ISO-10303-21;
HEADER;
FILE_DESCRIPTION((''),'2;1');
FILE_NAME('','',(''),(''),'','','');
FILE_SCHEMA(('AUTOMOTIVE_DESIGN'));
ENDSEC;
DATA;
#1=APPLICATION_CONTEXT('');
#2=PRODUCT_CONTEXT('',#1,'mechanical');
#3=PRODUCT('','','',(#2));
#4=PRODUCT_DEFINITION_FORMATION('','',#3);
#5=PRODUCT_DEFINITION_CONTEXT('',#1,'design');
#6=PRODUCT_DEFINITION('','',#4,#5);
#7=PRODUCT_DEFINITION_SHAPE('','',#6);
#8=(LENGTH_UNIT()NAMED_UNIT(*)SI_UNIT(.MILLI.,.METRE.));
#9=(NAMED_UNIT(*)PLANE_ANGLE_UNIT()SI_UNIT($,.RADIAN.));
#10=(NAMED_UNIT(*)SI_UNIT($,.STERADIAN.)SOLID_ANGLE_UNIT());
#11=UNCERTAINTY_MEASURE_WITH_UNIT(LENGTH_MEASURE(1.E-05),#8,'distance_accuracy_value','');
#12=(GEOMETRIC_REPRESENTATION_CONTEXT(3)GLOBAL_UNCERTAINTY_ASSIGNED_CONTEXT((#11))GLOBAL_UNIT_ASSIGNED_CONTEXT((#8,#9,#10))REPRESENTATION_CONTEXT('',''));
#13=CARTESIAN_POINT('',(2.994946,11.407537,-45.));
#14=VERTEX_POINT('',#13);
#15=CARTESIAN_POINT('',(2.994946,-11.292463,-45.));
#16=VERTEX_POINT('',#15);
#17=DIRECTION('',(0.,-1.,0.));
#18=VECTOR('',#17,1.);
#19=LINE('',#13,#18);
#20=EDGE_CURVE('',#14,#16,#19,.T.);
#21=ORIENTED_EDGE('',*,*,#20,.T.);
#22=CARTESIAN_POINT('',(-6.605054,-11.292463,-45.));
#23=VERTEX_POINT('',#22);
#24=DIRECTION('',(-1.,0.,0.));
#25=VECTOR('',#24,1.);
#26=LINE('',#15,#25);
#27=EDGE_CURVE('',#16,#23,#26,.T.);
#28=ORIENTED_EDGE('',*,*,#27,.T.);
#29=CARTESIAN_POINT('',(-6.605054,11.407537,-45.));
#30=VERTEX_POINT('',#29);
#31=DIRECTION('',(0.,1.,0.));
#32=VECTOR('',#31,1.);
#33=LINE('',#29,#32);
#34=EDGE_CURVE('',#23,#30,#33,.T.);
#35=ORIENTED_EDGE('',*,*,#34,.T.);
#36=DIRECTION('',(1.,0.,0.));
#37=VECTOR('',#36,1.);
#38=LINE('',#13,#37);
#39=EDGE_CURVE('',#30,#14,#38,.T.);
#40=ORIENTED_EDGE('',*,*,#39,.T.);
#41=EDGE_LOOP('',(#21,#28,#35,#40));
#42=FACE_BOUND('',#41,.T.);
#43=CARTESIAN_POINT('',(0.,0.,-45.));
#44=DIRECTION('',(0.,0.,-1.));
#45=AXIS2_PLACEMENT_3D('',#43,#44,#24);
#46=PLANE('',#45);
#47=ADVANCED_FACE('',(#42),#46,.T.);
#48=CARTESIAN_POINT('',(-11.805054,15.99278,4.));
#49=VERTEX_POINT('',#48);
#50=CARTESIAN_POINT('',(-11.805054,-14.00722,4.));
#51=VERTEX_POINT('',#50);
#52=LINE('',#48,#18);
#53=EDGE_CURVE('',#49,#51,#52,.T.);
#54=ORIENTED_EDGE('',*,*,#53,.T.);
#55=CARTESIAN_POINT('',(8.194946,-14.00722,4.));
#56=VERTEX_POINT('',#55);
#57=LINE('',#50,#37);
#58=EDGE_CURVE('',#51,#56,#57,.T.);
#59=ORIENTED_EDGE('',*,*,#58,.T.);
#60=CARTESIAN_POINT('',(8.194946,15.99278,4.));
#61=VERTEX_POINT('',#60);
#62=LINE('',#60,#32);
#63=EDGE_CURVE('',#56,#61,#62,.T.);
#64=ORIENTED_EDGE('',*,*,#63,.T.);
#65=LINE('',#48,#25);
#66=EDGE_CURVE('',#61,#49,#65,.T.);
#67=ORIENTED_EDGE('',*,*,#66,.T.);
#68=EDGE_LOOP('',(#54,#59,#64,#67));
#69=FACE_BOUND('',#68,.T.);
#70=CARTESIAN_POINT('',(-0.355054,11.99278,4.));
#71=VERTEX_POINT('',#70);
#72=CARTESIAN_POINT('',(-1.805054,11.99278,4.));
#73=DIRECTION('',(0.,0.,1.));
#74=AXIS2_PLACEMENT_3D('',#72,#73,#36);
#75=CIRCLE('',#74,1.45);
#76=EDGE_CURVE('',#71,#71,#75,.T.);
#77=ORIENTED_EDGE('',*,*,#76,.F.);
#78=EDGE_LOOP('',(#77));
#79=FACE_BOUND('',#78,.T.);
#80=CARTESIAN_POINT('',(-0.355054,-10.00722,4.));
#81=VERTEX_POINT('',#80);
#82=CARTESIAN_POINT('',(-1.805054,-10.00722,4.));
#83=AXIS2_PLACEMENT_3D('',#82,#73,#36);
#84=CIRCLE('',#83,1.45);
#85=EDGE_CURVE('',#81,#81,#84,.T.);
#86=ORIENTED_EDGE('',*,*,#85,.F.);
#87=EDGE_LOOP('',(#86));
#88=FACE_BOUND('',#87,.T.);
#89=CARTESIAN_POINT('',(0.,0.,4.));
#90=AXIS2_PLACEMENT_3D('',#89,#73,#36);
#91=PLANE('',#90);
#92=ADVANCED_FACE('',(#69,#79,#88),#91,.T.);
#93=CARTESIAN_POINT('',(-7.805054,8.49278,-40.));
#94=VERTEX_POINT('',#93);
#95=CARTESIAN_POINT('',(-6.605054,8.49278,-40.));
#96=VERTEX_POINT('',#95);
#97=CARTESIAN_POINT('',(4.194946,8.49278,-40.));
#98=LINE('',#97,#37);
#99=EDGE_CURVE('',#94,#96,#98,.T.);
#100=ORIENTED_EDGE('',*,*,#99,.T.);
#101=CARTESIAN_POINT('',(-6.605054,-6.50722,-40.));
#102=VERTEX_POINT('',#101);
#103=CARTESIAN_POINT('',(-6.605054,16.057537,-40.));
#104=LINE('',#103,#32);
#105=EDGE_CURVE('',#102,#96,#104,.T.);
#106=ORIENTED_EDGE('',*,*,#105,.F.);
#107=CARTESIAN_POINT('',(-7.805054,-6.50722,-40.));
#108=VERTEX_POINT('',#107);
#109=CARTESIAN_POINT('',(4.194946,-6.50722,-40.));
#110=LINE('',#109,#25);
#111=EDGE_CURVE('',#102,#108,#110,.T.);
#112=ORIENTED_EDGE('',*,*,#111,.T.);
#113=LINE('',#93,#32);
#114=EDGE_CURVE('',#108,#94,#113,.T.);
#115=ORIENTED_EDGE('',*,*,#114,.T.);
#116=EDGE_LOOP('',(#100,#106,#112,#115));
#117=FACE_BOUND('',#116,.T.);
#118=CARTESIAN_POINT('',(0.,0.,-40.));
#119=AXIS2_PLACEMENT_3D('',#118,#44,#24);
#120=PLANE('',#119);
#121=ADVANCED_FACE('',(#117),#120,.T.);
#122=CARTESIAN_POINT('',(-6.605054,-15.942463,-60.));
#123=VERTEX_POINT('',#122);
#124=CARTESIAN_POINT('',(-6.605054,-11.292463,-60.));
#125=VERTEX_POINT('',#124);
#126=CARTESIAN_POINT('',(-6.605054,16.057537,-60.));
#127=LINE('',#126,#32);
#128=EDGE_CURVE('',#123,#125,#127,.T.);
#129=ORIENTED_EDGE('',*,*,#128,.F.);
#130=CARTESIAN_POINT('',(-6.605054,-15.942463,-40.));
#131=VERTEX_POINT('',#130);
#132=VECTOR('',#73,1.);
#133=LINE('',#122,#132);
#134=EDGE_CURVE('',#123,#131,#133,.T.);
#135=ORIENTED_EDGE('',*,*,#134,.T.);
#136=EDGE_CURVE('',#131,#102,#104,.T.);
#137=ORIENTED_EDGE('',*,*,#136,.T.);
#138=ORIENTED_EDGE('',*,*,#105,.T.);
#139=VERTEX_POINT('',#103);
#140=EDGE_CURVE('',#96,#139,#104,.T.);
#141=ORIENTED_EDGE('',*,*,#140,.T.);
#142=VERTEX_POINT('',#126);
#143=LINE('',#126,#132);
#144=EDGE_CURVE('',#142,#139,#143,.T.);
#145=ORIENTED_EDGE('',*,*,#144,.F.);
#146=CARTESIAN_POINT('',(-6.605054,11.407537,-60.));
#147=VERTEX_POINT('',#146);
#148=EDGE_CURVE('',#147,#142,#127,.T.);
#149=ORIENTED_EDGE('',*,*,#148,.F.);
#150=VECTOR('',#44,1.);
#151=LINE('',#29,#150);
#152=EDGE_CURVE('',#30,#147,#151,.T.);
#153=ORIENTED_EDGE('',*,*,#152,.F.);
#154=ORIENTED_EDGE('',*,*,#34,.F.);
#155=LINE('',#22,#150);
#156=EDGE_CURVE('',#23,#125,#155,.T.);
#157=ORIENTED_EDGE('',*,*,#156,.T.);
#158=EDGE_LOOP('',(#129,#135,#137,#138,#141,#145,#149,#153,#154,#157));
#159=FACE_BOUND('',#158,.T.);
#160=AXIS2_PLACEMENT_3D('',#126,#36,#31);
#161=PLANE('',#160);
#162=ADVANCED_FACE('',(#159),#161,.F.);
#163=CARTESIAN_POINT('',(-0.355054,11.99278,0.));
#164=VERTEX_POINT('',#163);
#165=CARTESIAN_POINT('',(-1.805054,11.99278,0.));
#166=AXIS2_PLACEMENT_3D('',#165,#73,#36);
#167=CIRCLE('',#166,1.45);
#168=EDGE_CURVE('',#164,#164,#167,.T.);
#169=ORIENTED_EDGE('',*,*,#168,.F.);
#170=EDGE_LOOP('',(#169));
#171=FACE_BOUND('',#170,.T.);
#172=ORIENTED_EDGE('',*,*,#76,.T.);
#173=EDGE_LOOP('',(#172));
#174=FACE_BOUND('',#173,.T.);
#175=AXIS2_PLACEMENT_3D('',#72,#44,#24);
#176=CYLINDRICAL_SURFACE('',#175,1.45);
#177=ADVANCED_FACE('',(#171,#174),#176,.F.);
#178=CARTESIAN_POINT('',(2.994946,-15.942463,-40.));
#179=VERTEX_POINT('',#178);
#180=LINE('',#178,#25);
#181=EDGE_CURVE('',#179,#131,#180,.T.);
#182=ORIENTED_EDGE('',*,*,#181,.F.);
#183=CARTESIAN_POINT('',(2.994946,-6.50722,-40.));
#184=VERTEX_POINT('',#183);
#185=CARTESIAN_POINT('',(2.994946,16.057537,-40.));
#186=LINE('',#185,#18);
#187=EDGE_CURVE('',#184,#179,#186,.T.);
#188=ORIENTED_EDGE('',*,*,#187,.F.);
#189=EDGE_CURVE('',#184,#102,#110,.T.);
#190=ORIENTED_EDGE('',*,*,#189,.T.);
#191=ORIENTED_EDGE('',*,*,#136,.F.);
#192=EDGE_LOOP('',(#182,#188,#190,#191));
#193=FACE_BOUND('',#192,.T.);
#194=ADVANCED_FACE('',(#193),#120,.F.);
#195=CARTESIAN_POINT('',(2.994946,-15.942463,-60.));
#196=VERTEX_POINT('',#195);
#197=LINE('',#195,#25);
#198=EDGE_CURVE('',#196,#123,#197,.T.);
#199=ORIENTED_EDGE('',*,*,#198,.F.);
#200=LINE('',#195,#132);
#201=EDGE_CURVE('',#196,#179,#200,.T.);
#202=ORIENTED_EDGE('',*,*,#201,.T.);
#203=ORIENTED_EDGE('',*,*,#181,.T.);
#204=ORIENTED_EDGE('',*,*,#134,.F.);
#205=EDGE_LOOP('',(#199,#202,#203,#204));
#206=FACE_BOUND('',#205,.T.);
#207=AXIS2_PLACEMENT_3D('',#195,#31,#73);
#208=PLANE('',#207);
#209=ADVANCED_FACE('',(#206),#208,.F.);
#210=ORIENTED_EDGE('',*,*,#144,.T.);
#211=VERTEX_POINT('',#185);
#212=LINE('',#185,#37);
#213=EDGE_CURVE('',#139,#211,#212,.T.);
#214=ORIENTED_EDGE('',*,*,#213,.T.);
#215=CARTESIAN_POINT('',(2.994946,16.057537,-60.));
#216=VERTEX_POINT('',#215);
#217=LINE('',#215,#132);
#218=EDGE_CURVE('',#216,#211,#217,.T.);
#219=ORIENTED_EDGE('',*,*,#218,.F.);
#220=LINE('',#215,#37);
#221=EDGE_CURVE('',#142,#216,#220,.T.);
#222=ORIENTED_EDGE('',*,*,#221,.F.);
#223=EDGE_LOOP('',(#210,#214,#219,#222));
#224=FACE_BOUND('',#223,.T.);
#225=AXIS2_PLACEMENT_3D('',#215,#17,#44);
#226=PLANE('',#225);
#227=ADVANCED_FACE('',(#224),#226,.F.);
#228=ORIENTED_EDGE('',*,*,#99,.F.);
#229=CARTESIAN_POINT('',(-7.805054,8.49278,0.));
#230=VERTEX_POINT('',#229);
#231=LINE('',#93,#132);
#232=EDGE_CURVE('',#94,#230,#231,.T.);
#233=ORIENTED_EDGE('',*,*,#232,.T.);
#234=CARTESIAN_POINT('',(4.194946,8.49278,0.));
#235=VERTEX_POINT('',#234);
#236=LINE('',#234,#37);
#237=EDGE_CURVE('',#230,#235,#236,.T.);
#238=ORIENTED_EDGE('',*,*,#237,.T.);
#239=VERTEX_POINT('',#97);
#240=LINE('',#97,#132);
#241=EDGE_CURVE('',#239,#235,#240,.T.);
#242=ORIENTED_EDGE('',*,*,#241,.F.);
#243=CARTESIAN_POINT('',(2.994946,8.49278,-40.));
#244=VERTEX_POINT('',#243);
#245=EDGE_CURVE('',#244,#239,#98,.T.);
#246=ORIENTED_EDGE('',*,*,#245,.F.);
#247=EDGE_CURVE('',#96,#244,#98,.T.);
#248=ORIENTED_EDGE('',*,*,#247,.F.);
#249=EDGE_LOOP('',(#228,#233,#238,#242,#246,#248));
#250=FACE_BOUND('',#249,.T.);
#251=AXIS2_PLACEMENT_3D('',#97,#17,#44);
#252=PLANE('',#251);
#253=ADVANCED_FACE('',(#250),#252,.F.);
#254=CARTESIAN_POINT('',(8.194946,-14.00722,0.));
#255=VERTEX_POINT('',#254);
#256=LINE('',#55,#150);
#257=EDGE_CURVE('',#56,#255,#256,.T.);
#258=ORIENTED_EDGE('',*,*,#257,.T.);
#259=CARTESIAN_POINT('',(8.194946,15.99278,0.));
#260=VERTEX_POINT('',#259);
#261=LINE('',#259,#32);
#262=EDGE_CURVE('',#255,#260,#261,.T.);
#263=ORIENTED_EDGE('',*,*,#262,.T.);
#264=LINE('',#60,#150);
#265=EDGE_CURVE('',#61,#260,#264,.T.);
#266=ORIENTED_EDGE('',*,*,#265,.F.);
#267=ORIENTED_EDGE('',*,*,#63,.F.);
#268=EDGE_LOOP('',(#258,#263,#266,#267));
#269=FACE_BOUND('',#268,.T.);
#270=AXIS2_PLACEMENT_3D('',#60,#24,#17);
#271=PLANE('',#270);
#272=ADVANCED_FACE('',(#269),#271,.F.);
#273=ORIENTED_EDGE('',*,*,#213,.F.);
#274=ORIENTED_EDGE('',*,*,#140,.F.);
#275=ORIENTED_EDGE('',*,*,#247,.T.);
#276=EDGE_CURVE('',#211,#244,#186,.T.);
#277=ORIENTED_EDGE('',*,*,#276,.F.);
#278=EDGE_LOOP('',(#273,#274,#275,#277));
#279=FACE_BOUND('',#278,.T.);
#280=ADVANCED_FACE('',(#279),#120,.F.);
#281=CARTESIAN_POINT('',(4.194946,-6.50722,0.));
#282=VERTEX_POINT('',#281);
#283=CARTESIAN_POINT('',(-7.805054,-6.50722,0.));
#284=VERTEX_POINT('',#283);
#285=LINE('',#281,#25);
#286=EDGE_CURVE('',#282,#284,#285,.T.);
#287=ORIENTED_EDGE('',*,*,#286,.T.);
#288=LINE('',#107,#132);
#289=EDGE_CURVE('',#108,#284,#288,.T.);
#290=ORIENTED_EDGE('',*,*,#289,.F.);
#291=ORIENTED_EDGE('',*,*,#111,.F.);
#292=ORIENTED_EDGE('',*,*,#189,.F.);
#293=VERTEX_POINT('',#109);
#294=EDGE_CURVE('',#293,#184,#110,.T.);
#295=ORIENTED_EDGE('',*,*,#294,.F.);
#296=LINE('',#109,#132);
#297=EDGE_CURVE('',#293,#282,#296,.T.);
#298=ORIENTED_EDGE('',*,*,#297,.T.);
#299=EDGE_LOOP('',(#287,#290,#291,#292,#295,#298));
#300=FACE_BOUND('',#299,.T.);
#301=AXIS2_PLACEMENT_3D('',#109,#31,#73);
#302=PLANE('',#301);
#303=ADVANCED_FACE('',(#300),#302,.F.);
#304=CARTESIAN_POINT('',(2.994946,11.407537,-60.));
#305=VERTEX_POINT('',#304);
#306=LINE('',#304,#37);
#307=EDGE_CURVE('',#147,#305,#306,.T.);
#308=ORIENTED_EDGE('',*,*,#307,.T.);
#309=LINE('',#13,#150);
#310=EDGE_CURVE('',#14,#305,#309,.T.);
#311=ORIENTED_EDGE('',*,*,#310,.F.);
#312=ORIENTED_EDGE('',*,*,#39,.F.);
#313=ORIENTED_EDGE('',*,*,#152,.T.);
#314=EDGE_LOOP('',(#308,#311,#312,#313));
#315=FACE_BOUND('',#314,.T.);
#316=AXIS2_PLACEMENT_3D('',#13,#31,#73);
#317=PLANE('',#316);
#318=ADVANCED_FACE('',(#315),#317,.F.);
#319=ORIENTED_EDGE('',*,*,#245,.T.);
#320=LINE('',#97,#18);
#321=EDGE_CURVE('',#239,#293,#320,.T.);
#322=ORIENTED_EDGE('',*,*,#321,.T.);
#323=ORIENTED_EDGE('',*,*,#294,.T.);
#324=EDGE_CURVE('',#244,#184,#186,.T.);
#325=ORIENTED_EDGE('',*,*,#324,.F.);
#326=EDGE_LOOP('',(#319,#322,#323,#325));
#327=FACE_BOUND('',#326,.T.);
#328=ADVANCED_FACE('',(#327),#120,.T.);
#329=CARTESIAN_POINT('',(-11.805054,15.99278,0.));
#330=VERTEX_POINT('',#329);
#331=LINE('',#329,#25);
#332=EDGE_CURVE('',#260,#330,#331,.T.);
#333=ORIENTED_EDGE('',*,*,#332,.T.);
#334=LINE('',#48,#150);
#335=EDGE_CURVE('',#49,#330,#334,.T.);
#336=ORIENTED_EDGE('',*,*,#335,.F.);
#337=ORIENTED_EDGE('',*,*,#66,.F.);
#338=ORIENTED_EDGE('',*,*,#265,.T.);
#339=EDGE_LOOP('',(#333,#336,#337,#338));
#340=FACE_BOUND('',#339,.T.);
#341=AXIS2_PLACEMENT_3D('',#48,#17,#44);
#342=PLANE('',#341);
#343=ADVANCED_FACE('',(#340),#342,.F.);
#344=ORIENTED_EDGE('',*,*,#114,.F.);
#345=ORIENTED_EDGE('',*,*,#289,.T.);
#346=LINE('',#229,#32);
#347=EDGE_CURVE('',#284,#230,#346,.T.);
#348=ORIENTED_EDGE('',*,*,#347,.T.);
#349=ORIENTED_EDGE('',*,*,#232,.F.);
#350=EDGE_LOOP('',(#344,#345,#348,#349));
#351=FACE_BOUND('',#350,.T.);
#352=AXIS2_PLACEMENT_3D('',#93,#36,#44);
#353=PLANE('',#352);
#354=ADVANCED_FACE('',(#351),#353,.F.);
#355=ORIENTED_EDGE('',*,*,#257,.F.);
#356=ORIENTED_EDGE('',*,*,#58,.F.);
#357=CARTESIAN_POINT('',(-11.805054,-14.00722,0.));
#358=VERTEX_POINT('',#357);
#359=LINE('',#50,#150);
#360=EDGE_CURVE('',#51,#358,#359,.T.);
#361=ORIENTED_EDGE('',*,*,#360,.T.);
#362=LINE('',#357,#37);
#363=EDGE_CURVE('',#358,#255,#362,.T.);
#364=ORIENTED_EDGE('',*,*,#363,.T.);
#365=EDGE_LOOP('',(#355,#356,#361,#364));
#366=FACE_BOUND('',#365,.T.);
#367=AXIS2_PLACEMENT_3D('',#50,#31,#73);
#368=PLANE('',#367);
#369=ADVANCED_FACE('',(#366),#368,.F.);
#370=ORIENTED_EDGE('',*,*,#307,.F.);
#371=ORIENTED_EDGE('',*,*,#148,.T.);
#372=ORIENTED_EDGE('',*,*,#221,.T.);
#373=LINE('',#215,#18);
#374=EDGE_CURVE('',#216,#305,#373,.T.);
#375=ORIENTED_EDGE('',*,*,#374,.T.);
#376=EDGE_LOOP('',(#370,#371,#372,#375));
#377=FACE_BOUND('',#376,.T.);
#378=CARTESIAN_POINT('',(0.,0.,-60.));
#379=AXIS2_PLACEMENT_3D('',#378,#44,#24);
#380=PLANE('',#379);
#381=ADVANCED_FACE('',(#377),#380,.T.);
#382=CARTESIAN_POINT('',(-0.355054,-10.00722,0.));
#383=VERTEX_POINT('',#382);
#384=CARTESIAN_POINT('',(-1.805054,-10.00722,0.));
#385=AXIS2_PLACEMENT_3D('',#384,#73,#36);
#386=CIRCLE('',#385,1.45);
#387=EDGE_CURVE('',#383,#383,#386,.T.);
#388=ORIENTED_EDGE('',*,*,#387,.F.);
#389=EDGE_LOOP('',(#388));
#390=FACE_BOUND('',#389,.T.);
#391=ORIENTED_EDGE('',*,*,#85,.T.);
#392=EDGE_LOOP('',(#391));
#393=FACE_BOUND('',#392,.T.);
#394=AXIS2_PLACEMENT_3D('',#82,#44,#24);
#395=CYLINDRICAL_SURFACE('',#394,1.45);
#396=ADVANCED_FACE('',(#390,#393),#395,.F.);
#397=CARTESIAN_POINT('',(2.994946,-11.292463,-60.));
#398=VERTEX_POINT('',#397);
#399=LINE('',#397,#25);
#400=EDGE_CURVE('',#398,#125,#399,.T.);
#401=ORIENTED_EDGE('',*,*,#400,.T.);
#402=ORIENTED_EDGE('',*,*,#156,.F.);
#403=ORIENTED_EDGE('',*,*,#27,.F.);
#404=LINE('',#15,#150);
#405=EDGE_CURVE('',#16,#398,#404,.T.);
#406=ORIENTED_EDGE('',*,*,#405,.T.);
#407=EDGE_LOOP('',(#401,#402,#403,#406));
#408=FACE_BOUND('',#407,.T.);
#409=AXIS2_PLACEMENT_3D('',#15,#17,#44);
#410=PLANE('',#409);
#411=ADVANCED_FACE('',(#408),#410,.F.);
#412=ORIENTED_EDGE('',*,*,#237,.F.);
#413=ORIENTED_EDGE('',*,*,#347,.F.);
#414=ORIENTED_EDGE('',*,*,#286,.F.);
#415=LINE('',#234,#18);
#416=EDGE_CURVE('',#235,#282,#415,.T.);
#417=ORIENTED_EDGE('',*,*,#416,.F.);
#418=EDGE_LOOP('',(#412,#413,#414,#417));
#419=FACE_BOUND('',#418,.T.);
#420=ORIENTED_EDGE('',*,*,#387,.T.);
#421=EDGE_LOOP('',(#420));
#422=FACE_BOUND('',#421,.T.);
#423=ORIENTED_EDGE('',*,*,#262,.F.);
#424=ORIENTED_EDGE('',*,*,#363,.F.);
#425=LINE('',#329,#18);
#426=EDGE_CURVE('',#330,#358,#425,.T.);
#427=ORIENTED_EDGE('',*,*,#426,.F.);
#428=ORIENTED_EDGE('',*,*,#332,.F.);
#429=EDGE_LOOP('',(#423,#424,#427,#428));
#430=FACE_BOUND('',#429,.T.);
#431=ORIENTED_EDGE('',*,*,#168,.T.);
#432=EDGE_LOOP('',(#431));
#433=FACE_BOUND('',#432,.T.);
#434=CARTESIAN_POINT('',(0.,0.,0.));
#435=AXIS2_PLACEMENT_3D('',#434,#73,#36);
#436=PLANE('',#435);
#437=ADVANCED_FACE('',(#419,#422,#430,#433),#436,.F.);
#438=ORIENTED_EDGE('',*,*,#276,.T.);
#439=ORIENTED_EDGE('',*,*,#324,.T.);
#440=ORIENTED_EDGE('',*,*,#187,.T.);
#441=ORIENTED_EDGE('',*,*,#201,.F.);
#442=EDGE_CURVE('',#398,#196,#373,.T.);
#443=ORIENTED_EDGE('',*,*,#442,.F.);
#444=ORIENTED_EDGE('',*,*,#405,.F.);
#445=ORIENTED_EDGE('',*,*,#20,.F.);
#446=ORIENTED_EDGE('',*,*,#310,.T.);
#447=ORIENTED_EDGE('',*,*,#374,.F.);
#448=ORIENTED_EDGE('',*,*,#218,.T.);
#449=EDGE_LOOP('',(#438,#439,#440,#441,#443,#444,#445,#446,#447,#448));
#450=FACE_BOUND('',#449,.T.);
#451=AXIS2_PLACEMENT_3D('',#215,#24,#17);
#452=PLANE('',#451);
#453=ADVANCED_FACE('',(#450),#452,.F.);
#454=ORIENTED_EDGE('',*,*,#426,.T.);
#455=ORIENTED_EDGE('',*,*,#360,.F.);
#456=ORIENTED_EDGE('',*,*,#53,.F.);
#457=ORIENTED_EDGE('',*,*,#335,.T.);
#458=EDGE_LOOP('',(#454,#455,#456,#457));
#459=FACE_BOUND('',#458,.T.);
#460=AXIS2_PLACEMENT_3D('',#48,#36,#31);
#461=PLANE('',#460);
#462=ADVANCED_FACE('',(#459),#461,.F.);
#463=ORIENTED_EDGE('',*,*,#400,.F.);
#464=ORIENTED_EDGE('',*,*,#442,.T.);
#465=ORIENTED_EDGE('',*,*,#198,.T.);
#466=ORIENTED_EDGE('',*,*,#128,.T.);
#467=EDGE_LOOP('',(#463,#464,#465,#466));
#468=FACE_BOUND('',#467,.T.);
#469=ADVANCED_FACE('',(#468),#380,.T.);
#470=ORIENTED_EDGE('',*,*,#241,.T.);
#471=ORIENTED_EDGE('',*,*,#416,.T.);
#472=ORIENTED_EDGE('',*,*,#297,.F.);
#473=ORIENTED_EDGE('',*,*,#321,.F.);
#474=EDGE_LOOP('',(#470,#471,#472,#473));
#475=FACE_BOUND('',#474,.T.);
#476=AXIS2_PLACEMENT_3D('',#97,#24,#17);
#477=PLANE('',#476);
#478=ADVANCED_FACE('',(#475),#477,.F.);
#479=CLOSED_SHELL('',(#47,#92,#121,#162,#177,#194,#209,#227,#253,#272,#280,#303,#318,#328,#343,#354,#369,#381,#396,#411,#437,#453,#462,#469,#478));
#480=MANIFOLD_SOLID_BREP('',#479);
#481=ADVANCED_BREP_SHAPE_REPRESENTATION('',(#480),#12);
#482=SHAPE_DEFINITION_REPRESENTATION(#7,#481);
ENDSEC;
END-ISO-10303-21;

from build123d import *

# Parameters (mm, degrees)
SKETCH_1_W          = 20
SKETCH_1_H          = 30
SKETCH_1_R          = 1.45
EXTRUDE_1_DEPTH     = 4
SKETCH_2_W          = 12
SKETCH_2_H          = 15
EXTRUDE_2_DEPTH     = 40
SKETCH_3_W          = 9.6
SKETCH_3_H          = 32
EXTRUDE_3_DEPTH     = 20
SKETCH_4_W          = 9.6
SKETCH_4_H          = 22.7
EXTRUDE_4_DEPTH     = 15
SKETCH_4_2_W        = 9.6
SKETCH_4_2_H        = 22.7
CUT_EXTRUDE_1_DEPTH = 15


with BuildPart() as part:
    # Эскиз1 → Бобышка-Вытянуть1 (new body)
    with BuildSketch(Plane.XY):
        with Locations((-1.805054152, 0.992779783)):
            Rectangle(SKETCH_1_W, SKETCH_1_H)
        with Locations((-1.805054152, 11.992779783)):
            Circle(SKETCH_1_R, mode=Mode.SUBTRACT)
        with Locations((-1.805054152, -10.007220217)):
            Circle(SKETCH_1_R, mode=Mode.SUBTRACT)
    extrude(amount=EXTRUDE_1_DEPTH)

    # Эскиз2 → Бобышка-Вытянуть2 (add)
    with BuildSketch(Plane(origin=(0, 0, 0), x_dir=(-1, 0, 0), z_dir=(0, 0, -1))):
        with Locations((1.805054152, 0.992779783)):
            Rectangle(SKETCH_2_W, SKETCH_2_H)
    extrude(amount=EXTRUDE_2_DEPTH)

    # Эскиз3 → Бобышка-Вытянуть3 (add)
    with BuildSketch(Plane(origin=(0, 0, -40), x_dir=(-1, 0, 0), z_dir=(0, 0, -1))):
        with Locations((1.805054152, 0.05753703)):
            Rectangle(SKETCH_3_W, SKETCH_3_H)
    extrude(amount=EXTRUDE_3_DEPTH)

    # Эскиз4 → Бобышка-Вытянуть4 (add)
    with BuildSketch(Plane(origin=(0, 0, -60), x_dir=(-1, 0, 0), z_dir=(0, 0, -1))):
        with Locations((1.805054152, 0.05753703)):
            Rectangle(SKETCH_4_W, SKETCH_4_H)
    extrude(amount=-EXTRUDE_4_DEPTH)

    # Эскиз4<2> → Вырез-Вытянуть1 (cut)
    with BuildSketch(Plane(origin=(0, 0, -60), x_dir=(-1, 0, 0), z_dir=(0, 0, -1))):
        with Locations((1.805054152, 0.05753703)):
            Rectangle(SKETCH_4_2_W, SKETCH_4_2_H)
    extrude(amount=-CUT_EXTRUDE_1_DEPTH, mode=Mode.SUBTRACT)


solid = part.part
